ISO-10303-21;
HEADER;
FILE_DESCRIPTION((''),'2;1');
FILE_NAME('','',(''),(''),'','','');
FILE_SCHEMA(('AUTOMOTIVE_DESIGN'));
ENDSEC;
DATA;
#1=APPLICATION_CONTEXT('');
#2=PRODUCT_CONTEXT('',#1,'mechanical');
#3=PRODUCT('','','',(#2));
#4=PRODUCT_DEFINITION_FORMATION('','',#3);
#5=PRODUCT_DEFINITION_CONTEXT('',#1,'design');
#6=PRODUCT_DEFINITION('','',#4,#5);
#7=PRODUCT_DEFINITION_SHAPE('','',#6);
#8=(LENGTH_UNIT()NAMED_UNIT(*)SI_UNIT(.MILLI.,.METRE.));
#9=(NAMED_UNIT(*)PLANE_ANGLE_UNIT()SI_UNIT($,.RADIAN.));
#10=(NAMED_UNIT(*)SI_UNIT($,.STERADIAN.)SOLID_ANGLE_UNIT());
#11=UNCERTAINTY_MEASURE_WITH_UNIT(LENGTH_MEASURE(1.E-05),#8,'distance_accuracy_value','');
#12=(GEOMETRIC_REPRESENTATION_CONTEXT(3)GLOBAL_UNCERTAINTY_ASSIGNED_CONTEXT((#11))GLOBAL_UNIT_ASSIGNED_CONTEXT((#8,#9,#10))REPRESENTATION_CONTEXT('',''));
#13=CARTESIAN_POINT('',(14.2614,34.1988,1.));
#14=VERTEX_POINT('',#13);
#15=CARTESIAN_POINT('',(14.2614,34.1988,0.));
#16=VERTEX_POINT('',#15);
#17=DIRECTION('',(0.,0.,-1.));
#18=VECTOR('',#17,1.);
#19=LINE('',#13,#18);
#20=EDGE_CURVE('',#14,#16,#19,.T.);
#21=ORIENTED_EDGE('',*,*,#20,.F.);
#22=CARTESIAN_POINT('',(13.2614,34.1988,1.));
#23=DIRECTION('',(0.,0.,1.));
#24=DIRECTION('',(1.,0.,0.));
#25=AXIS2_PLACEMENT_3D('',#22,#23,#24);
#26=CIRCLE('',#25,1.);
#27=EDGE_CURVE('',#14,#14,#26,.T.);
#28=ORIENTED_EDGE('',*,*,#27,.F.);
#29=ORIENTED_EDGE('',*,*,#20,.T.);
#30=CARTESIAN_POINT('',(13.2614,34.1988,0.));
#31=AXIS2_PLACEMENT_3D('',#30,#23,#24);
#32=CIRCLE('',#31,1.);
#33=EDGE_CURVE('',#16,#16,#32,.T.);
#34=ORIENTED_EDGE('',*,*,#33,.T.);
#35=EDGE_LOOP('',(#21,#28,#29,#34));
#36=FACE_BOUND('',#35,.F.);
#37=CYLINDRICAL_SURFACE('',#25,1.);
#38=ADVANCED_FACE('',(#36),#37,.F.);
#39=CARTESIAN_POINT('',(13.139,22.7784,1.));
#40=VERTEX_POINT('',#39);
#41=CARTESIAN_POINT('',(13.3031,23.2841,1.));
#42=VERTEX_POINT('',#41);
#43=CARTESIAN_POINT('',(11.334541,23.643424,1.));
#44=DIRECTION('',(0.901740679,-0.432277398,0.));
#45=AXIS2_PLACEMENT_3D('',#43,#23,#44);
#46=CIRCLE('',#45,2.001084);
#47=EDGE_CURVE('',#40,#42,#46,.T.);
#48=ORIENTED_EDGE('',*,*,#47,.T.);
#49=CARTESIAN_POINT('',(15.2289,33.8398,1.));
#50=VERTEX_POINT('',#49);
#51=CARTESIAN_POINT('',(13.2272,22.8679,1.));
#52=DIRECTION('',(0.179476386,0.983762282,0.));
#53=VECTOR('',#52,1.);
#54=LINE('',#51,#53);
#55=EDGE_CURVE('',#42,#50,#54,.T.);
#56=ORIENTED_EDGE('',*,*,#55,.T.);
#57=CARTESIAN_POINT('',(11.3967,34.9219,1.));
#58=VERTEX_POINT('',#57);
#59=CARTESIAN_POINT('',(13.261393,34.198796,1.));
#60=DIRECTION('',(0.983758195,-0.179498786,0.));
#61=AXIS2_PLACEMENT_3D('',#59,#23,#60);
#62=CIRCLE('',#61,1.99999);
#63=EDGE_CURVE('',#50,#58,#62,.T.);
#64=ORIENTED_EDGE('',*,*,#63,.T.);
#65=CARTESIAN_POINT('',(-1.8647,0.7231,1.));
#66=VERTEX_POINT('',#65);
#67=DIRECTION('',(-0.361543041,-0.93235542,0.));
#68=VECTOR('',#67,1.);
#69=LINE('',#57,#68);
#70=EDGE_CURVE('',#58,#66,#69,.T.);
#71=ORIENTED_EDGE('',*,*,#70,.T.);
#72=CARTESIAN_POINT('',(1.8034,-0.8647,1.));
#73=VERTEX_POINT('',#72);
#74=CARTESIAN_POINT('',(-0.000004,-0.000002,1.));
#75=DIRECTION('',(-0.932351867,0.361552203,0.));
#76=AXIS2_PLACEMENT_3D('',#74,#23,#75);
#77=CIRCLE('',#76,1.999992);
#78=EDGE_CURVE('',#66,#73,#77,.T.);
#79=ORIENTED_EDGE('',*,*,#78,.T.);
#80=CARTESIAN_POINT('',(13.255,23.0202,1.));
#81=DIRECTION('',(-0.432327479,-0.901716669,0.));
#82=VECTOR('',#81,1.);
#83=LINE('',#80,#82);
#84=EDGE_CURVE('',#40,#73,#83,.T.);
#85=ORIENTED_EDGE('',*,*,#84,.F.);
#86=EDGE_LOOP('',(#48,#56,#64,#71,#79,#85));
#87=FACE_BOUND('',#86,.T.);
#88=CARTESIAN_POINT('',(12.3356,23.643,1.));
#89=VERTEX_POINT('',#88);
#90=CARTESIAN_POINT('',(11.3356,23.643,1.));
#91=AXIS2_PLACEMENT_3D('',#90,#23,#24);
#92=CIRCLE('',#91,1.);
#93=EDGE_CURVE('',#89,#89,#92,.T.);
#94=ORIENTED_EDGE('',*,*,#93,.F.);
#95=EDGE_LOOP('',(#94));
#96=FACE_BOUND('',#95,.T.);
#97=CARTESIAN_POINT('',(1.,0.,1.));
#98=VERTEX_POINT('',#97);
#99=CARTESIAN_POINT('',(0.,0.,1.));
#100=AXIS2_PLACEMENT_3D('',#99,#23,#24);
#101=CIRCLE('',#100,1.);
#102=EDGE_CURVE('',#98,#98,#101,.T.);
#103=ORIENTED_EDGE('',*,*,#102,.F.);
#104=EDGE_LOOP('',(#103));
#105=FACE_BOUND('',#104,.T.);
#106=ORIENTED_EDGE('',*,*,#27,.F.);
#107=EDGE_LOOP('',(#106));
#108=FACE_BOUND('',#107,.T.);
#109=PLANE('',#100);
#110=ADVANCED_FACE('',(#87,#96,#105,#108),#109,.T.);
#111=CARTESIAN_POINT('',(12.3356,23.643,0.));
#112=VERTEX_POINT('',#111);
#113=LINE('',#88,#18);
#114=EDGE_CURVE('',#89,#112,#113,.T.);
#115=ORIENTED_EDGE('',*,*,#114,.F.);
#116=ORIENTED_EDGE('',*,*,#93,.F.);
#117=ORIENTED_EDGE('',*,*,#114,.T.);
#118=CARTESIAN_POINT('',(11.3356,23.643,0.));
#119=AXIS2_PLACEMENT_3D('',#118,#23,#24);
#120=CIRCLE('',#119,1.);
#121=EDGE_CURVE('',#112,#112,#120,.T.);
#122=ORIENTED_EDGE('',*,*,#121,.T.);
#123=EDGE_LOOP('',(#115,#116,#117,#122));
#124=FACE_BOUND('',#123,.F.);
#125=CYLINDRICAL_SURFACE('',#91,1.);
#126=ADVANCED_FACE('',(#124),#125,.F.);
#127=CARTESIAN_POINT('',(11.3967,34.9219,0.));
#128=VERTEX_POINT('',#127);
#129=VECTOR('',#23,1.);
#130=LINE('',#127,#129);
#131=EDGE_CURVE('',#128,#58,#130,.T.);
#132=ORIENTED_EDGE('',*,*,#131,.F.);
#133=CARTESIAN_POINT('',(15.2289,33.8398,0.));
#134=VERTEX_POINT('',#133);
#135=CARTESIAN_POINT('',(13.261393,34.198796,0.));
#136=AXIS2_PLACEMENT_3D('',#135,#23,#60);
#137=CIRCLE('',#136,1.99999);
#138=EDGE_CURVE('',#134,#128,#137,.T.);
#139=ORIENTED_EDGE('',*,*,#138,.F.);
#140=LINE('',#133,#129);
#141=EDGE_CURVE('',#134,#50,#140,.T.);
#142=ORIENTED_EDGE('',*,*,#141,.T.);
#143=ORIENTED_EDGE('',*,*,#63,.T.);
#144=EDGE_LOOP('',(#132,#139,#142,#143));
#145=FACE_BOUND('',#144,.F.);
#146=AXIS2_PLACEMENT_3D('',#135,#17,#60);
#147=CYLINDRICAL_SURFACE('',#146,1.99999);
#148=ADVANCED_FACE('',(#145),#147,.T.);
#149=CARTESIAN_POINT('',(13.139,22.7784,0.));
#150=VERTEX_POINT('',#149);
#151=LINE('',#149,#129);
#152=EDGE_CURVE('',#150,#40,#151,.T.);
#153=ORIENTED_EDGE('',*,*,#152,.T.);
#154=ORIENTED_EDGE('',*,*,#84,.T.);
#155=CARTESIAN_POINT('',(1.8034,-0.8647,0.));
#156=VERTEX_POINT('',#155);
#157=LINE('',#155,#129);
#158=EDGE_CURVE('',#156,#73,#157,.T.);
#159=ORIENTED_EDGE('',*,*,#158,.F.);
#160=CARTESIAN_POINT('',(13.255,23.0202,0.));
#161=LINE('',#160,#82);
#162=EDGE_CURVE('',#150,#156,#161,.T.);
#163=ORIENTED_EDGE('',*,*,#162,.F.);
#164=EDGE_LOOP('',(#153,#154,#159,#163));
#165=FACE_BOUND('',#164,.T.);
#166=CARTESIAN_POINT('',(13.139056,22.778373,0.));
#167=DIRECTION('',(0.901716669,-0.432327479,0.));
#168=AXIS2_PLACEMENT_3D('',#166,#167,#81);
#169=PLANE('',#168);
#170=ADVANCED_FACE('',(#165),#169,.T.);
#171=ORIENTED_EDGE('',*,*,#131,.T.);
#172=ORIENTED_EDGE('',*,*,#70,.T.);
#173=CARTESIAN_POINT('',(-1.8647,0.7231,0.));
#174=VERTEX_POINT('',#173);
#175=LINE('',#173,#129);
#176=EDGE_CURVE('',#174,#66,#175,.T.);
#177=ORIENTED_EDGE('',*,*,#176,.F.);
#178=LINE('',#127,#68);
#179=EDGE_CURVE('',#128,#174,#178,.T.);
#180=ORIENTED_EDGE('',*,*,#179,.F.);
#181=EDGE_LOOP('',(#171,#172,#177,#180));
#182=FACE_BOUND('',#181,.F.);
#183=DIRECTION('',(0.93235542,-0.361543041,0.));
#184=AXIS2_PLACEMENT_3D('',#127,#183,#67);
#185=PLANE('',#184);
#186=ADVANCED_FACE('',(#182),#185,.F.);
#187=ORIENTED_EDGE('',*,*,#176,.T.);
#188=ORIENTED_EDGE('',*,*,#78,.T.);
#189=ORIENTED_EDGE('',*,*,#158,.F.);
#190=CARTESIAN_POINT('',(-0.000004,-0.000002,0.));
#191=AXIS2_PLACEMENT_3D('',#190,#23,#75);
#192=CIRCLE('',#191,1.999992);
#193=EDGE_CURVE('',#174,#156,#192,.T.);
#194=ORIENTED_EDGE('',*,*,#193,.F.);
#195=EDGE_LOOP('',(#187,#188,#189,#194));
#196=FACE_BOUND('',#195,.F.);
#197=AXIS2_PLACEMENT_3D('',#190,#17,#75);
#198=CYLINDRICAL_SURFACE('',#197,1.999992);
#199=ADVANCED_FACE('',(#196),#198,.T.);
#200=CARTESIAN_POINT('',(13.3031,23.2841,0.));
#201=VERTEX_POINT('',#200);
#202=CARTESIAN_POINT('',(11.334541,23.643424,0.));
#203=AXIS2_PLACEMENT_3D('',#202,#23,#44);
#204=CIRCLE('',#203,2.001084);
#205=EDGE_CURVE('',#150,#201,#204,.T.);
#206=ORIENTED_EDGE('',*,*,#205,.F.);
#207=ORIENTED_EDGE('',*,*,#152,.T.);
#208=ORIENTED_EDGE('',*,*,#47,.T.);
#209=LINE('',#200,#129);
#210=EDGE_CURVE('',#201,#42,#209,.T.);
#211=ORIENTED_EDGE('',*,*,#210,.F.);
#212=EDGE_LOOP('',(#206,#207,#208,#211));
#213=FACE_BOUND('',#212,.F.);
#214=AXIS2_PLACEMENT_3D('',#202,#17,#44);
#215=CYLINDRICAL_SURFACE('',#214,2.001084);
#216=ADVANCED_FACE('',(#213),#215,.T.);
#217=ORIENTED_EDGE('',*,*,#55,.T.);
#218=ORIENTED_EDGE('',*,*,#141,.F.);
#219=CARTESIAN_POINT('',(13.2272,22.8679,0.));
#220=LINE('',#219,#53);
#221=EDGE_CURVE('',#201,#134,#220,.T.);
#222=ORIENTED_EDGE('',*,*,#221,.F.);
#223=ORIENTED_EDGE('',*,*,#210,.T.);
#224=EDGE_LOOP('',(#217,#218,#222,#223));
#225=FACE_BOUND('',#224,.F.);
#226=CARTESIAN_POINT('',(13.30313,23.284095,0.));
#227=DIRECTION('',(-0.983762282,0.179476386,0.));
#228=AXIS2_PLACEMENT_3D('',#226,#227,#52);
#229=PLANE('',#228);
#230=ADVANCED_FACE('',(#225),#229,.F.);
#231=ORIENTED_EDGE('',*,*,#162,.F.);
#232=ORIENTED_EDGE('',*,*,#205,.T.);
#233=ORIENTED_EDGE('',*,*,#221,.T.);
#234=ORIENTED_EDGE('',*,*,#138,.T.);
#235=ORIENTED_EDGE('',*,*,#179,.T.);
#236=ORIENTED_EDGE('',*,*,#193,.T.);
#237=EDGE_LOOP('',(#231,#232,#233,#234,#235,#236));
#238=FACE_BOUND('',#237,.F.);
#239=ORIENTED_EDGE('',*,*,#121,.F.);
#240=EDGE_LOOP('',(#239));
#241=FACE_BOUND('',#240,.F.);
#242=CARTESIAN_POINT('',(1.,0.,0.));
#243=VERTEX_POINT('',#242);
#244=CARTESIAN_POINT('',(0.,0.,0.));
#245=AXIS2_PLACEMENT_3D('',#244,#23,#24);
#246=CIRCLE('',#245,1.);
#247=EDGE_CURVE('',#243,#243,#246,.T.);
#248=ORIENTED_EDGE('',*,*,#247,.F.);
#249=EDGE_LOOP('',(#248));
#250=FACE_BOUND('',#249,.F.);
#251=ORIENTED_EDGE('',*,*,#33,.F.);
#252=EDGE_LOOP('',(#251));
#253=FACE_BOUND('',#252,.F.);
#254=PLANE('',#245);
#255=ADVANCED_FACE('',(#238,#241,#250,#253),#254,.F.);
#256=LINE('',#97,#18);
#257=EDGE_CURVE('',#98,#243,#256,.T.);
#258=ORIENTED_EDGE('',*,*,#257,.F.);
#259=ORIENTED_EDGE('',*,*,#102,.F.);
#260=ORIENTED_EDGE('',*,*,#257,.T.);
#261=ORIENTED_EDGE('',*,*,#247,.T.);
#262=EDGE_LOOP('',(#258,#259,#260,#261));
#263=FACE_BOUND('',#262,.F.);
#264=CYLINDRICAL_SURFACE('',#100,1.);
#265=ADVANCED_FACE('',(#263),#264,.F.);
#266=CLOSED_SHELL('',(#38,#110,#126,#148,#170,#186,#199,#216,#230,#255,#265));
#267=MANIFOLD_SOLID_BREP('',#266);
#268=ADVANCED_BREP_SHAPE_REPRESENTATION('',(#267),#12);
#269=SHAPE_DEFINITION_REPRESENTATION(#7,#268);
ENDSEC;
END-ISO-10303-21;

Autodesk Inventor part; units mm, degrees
ref_plane "YZ Plane" through (0, 0, 0) normal (1, 0, 0) x (0, 1, 0)
ref_plane "XZ Plane" through (0, 0, 0) normal (0, 1, 0) x (-1, 0, 0)
ref_plane "XY Plane" through (0, 0, 0) normal (0, 0, 1) x (1, 0, 0)
sketch "草圖1" plane through (0, 0, 0) normal (0, 0, 1) x (1, 0, 0)
  line L0 (0, 0) -> (13.2614, 34.1988)
  line L1 (11.3356, 23.643) -> (10.4709, 21.8396)
  line L2 (11.3967, 34.9219) -> (-1.8647, 0.7231)
  line L3 (13.255, 23.0202) -> (1.8034, -0.8647)
  line L4 (13.2272, 22.8679) -> (15.2289, 33.8398)
  arc A0 (13.139, 22.7784) -> (13.3031, 23.2841) centre (11.3356, 23.643) ccw
  arc A1 (15.2289, 33.8398) -> (11.3967, 34.9219) centre (13.2614, 34.1988) ccw
  arc A2 (12.5383, 32.3341) -> (12.9025, 32.2313) centre (13.2614, 34.1988) ccw
  arc A3 (0.8647, 1.8034) -> (0.7231, 1.8647) centre (0, 0) ccw
  arc A4 (-1.8647, 0.7231) -> (1.8034, -0.8647) centre (0, 0) ccw
  dimension "d0" = 10.73
  dimension "d1" = 26.22
  dimension "d2" = 36.68
extrude "擠出1" add sketch "草圖1" along normal blind 1 contours A1 L4 A0 L3 A4 L2
sketch "草圖2" plane through (0, 0, 1) normal (0, 0, 1) x (1, 0, 0)
  arc A0 (13.139, 22.7784) -> (13.3031, 23.2841) centre (11.3356, 23.643) ccw projected
  circle A1 centre (11.3356, 23.643) radius 1
  arc A2 (15.2289, 33.8398) -> (11.3967, 34.9219) centre (13.2614, 34.1988) ccw projected
  circle A3 centre (13.2614, 34.1988) radius 1
  arc A4 (-1.8647, 0.7231) -> (1.8034, -0.8647) centre (0, 0) ccw projected
  circle A5 centre (0, 0) radius 1
  dimension "d8" = 2
  dimension "d9" = 2
  dimension "d10" = 2
extrude "擠出2" cut sketch "草圖2" against normal blind 10
properties part number "三角塊3"
